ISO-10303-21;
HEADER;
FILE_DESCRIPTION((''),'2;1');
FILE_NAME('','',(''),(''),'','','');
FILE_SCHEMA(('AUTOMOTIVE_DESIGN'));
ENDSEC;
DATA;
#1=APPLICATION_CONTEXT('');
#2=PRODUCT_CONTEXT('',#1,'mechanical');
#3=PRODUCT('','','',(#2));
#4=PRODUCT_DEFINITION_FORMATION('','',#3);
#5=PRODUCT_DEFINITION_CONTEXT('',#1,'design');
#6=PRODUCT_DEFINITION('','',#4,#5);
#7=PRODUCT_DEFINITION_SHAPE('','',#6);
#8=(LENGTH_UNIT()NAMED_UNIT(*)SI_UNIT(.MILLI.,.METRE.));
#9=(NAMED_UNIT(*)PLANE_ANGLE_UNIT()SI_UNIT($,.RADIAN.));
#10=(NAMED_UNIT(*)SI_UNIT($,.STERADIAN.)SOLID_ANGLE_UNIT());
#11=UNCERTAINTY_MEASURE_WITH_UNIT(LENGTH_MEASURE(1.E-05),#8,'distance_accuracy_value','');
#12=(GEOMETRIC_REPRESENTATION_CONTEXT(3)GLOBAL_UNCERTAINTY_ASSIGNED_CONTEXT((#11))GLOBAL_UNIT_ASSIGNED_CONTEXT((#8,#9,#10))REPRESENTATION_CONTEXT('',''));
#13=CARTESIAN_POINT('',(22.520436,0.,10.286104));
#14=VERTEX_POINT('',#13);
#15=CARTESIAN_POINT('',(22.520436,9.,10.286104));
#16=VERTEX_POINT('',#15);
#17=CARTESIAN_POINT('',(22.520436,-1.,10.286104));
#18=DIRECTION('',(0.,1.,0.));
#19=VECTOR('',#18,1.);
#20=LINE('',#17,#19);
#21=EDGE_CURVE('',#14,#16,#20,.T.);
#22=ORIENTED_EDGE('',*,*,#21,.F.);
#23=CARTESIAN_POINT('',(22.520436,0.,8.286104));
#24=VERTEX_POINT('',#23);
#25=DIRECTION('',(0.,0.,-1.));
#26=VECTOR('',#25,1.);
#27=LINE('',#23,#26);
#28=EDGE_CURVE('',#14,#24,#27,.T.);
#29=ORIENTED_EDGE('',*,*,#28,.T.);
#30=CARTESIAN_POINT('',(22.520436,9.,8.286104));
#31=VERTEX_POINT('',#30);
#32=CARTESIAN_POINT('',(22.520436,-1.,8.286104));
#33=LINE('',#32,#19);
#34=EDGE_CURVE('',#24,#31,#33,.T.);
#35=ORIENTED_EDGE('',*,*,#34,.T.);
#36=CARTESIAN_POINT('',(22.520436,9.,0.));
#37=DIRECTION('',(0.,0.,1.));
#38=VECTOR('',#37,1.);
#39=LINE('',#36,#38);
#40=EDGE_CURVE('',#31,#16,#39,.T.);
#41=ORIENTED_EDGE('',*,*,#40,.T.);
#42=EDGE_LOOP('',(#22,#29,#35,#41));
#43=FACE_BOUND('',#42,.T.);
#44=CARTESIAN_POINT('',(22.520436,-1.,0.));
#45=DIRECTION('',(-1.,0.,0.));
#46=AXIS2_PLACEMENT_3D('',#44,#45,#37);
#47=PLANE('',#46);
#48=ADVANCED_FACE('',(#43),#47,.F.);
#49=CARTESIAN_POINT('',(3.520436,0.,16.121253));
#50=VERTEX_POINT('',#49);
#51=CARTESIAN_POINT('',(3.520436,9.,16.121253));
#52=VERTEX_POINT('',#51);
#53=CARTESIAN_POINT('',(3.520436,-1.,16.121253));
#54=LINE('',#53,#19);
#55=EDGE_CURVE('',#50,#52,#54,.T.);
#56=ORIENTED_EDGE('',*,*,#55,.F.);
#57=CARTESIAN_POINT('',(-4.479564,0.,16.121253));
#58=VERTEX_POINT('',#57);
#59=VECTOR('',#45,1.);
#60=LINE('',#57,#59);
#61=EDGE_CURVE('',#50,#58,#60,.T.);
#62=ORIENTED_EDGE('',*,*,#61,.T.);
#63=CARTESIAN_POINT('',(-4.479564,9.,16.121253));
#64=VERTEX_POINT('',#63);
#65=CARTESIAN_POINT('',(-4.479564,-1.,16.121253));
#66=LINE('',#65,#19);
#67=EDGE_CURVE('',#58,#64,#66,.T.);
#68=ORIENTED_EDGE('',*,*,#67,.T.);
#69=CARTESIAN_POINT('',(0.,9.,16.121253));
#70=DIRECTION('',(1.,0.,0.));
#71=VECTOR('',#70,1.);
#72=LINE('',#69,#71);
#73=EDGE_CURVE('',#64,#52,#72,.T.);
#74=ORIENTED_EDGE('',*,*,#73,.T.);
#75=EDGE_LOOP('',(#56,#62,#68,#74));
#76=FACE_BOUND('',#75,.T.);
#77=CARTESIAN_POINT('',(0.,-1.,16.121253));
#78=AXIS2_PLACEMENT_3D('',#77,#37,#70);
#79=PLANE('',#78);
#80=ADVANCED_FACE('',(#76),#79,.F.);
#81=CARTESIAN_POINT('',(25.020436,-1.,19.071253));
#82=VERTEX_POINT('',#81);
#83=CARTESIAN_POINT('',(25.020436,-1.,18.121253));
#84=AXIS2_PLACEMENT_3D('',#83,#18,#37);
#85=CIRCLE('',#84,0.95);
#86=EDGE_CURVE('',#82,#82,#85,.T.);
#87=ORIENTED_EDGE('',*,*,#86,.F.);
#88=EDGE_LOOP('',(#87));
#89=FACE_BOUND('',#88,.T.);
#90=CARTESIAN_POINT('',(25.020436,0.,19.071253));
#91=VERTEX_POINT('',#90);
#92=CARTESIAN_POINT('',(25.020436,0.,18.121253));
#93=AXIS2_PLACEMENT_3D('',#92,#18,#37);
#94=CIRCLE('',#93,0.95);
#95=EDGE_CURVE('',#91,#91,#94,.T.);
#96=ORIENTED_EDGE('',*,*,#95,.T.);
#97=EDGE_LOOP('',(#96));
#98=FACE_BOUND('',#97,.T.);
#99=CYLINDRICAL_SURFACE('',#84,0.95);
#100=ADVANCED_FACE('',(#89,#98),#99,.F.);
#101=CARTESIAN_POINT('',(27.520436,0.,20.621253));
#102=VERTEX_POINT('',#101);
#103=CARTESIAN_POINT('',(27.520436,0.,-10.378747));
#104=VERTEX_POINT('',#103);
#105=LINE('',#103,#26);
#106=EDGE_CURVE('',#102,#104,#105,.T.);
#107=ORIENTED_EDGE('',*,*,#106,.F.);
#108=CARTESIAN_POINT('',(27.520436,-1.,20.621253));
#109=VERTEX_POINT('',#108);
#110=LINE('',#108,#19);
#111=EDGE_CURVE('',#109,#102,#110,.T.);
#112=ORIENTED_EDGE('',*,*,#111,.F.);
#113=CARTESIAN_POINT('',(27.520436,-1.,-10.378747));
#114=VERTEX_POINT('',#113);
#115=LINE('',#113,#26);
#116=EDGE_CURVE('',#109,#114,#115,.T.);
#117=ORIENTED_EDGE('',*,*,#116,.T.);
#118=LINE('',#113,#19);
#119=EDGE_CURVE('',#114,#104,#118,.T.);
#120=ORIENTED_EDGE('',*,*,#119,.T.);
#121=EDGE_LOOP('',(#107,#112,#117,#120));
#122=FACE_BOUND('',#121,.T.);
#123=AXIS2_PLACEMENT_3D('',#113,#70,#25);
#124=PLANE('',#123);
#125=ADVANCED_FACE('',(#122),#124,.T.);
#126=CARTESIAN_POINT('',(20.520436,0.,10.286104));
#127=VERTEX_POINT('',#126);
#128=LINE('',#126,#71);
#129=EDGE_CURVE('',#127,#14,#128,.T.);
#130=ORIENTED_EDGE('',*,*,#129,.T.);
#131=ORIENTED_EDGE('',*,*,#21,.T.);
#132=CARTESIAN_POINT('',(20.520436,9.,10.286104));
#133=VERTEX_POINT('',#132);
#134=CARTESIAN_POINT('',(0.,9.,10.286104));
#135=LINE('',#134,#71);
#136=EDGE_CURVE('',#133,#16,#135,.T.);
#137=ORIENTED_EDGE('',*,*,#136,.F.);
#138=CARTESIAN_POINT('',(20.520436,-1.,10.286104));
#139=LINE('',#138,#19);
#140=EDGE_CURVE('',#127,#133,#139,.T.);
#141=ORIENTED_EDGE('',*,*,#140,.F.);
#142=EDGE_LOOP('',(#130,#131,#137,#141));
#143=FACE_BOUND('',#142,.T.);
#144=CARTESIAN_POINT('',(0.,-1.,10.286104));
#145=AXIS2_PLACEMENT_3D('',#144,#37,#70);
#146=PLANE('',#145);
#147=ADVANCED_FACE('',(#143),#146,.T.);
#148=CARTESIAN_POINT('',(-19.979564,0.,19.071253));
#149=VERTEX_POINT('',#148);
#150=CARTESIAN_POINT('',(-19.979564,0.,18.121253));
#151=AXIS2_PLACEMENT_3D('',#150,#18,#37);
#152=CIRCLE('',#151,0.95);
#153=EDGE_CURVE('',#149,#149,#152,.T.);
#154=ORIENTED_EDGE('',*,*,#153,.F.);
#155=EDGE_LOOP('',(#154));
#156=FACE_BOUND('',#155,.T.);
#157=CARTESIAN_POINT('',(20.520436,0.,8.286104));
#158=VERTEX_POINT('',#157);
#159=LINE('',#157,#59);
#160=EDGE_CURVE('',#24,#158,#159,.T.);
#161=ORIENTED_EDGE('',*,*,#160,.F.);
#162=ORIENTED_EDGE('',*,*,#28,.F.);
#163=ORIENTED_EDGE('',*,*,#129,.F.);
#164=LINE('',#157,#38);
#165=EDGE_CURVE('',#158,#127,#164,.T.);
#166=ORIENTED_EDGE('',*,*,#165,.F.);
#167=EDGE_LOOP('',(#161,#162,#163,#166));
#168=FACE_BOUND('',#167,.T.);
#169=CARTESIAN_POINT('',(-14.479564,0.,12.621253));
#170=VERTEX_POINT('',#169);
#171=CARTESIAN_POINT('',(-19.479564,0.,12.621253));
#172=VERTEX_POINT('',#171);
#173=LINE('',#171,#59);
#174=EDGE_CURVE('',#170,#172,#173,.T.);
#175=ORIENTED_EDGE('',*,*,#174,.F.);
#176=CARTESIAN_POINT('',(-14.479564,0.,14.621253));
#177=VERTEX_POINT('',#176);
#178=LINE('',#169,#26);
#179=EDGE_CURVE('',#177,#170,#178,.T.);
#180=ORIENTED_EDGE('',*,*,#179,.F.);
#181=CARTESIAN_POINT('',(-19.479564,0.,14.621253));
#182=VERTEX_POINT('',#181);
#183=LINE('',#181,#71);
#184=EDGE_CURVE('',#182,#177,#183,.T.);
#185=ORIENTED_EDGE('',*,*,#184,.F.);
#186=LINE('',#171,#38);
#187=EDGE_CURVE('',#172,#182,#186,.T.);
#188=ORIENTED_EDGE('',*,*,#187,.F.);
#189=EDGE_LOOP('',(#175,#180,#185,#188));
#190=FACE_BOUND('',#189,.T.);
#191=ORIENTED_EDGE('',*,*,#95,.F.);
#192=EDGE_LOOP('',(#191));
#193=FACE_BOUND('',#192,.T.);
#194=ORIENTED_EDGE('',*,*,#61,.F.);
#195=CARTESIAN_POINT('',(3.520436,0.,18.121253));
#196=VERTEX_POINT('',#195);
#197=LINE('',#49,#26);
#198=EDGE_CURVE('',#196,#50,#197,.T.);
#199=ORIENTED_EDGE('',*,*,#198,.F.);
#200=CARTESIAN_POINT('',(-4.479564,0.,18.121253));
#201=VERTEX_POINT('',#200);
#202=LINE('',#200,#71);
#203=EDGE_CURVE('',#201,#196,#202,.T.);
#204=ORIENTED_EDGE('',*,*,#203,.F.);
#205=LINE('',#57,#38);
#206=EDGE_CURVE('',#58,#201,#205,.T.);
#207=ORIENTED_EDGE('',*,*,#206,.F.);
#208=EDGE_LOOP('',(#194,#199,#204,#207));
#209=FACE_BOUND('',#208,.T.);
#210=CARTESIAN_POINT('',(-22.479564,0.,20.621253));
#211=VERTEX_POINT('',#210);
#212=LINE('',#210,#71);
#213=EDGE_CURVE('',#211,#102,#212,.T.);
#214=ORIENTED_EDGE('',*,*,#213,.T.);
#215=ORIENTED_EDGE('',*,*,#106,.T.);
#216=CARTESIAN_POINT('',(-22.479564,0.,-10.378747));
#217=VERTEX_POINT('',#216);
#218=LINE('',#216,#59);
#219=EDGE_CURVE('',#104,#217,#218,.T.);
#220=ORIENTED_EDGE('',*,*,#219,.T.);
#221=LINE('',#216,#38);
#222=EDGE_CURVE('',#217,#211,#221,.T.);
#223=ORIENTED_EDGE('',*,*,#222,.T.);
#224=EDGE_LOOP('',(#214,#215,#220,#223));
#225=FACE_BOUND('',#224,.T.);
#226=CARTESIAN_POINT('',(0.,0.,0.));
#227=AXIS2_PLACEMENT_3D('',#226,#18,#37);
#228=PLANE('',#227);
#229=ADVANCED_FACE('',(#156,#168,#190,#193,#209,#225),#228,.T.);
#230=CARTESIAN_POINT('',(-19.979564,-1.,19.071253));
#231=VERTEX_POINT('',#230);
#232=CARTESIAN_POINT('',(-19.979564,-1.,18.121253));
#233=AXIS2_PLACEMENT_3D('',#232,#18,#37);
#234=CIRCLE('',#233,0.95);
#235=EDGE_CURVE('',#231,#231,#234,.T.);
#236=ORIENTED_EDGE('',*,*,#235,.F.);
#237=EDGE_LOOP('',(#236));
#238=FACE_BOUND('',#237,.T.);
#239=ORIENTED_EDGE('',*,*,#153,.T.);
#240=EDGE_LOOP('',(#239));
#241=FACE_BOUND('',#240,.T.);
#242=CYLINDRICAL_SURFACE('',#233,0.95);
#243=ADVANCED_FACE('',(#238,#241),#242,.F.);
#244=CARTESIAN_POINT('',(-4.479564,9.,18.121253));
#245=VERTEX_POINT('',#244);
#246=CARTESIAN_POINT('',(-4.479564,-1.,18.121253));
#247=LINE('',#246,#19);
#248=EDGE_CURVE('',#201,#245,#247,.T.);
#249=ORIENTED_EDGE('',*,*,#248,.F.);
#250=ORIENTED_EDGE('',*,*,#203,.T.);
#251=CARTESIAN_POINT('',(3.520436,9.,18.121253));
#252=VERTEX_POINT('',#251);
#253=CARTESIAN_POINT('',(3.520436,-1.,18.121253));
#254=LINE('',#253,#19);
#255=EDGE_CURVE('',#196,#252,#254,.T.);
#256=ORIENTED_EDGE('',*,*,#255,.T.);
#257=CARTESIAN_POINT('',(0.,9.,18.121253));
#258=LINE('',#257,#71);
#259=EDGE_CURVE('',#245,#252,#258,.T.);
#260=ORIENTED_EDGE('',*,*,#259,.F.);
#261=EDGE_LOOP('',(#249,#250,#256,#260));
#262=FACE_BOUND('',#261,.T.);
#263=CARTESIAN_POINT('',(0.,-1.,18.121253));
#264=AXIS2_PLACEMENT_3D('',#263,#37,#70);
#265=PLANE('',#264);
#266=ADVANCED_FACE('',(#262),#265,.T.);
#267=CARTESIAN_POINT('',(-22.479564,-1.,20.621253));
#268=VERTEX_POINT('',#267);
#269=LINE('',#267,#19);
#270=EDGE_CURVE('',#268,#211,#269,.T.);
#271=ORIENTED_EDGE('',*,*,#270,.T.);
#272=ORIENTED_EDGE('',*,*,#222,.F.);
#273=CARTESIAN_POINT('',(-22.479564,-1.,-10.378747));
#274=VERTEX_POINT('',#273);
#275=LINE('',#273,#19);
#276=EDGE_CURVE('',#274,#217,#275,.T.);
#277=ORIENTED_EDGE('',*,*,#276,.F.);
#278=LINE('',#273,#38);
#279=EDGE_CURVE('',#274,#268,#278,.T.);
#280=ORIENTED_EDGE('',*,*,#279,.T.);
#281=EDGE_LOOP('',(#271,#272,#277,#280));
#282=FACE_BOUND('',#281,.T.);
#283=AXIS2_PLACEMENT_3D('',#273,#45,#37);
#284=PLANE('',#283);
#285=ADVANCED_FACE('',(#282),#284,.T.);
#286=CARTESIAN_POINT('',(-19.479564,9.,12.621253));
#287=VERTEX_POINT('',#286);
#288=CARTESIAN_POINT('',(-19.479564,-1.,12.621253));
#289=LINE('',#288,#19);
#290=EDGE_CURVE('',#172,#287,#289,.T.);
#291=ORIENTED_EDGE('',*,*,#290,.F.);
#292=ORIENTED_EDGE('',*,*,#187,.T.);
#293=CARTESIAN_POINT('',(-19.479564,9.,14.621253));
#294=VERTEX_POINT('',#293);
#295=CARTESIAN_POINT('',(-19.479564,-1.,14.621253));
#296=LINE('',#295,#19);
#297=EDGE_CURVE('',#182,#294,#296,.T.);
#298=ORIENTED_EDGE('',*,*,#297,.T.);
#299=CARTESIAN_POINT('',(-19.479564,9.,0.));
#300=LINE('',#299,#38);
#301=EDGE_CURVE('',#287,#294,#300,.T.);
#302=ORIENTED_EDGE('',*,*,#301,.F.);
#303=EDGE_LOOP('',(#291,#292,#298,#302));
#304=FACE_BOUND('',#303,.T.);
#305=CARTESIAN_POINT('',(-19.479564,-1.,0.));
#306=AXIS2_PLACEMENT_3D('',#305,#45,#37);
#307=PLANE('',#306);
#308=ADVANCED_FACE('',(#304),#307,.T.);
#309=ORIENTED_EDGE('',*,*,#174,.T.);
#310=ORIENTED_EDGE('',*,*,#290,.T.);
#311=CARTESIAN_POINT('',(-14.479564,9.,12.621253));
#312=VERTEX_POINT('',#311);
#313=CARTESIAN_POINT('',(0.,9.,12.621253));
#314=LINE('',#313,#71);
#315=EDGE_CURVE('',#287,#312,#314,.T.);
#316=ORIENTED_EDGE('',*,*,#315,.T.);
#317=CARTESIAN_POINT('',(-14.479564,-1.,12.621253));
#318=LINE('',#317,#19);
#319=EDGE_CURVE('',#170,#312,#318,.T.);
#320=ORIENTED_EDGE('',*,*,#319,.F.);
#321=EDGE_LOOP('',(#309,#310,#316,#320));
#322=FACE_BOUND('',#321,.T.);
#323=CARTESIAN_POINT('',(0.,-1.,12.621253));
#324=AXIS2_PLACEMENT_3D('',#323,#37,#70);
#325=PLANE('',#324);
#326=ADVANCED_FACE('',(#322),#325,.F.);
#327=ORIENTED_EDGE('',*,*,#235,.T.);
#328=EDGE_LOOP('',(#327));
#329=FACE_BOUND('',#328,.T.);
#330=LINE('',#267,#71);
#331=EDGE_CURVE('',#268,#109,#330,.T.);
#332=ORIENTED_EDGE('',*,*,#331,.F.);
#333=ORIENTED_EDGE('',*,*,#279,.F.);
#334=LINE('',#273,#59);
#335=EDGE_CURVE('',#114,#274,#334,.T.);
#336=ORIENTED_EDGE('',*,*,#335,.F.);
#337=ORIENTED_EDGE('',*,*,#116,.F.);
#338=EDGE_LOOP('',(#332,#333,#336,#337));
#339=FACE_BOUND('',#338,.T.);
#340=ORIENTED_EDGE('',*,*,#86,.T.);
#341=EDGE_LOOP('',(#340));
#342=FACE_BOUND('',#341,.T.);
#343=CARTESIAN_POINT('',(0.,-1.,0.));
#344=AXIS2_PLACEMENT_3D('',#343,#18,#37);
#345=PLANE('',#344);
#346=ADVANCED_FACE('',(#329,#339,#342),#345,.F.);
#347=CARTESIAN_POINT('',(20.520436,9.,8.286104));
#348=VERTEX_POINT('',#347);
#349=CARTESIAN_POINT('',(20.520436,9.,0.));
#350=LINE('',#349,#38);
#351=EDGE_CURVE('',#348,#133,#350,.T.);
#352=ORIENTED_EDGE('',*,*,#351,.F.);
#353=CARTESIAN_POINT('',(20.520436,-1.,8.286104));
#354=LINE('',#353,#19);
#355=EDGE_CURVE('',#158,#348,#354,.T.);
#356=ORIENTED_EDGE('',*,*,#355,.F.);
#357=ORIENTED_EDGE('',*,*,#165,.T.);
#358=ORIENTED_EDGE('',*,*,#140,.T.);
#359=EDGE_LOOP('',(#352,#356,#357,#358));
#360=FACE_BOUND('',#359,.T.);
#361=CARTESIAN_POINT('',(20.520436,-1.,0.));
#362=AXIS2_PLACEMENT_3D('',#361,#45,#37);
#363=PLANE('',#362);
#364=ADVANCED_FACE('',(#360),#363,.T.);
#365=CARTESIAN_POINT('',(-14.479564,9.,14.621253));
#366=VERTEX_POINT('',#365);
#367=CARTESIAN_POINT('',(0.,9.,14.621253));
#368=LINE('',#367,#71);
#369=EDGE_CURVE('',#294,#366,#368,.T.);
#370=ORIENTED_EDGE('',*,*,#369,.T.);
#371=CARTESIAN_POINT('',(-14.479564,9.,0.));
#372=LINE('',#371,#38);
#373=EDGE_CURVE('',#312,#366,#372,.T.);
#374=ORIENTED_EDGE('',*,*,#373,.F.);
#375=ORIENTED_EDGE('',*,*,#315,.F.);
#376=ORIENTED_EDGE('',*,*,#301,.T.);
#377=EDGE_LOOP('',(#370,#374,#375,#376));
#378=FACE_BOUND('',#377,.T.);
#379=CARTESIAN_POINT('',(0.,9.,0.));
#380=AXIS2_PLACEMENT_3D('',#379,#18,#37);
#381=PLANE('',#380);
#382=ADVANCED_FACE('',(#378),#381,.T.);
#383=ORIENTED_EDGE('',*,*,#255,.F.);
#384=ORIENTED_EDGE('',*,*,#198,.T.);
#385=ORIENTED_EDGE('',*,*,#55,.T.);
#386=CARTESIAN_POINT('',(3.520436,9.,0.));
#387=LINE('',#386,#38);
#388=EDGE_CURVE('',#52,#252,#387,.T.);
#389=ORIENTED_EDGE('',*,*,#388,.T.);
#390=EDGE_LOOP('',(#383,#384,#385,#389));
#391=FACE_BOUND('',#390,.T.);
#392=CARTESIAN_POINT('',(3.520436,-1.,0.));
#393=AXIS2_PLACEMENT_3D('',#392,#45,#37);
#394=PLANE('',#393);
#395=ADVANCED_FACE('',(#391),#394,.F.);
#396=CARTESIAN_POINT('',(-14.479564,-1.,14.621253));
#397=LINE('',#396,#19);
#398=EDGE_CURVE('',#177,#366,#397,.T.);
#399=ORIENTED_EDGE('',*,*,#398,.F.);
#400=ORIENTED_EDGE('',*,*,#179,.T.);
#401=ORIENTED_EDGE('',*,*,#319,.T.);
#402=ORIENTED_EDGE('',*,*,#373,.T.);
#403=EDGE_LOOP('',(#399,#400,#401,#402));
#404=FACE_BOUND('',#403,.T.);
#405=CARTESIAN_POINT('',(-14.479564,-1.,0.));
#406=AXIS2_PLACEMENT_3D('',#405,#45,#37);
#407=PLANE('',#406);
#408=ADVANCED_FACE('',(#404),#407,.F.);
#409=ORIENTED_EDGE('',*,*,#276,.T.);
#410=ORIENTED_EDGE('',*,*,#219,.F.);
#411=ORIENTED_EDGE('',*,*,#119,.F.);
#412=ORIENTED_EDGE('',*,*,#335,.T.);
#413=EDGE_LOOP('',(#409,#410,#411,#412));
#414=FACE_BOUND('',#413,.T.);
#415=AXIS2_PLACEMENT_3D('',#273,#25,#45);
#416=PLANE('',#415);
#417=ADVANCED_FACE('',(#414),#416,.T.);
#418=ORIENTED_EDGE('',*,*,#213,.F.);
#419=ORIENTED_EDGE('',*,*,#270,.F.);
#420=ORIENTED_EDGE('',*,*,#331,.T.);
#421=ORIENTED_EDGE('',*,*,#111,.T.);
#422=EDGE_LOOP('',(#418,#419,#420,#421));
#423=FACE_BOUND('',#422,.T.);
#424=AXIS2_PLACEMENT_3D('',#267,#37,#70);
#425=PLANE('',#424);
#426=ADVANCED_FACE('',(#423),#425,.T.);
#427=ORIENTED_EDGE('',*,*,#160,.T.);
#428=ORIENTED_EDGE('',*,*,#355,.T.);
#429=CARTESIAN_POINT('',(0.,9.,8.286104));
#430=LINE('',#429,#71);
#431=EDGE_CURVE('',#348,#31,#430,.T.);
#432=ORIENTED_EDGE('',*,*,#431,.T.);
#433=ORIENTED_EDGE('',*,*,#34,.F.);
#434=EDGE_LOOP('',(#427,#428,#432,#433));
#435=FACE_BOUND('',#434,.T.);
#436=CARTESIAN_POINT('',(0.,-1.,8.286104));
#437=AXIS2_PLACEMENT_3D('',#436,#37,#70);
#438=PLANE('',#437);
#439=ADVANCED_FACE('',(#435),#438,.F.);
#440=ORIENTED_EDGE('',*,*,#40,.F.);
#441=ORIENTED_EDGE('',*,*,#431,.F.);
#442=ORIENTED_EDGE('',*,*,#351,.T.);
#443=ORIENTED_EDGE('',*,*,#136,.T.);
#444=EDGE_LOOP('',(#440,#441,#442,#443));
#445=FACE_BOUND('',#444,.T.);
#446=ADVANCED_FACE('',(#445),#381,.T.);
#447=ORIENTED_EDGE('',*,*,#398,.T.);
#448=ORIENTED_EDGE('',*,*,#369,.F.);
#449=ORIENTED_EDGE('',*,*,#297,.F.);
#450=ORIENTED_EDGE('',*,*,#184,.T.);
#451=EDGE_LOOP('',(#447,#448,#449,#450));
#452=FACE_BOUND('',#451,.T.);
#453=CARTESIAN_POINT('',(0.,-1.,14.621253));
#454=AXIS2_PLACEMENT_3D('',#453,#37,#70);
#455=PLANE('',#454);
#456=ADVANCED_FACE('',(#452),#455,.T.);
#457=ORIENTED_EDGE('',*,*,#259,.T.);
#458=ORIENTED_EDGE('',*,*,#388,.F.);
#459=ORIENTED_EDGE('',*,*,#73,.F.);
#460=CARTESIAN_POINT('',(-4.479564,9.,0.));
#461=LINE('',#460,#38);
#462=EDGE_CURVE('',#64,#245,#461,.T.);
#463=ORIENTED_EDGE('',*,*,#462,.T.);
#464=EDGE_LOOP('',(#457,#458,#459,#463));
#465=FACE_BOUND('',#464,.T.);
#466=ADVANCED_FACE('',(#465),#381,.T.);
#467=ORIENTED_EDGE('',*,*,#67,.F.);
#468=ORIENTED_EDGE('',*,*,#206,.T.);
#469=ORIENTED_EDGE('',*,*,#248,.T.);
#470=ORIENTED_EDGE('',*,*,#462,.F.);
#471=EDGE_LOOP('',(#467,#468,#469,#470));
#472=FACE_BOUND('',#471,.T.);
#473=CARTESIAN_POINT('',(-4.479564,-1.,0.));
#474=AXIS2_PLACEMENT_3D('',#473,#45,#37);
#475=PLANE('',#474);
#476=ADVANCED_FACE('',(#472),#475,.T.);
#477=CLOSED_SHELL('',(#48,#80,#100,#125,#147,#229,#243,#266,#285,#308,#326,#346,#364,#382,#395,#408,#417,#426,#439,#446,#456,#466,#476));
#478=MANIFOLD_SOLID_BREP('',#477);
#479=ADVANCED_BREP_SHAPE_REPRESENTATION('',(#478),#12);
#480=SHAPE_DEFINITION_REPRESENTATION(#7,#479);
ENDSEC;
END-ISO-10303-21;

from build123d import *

# Parameters (mm, degrees)
BOSS_EXTRU_7_DEPTH      = 9
BOSS_EXTRU_7_DEPTH_BACK = 1
ESQUISSE1_W             = 8
ESQUISSE1_H             = 2
BOSS_EXTRU_8_DEPTH      = 9
BOSS_EXTRU_8_DEPTH_BACK = 1
ESQUISSE1_10_W          = 5
ESQUISSE1_10_H          = 2
BOSS_EXTRU_9_DEPTH      = 9
BOSS_EXTRU_9_DEPTH_BACK = 1
ESQUISSE1_11_W          = 2
ESQUISSE1_11_H          = 2
ESQUISSE1_12_W          = 50
ESQUISSE1_12_H          = 31
ESQUISSE1_12_R          = 0.95
ESQUISSE1_12_W_2        = 5
ESQUISSE1_12_H_2        = 2
ESQUISSE1_12_W_3        = 8
ESQUISSE1_12_W_4        = 2
BOSS_EXTRU_10_DEPTH     = 1


with BuildPart() as part:
    # Esquisse1 → Boss.-Extru.7 (new, two sides: drawn at the far end of the back side and taken through both)
    with BuildSketch(Plane(origin=(0, 0, 0), x_dir=(1, 0, 0), z_dir=(0, 1, 0)).offset(-BOSS_EXTRU_7_DEPTH_BACK)):
        with Locations((-0.479564033, -17.121253406)):
            Rectangle(ESQUISSE1_W, ESQUISSE1_H)
    extrude(amount=BOSS_EXTRU_7_DEPTH + BOSS_EXTRU_7_DEPTH_BACK)



with BuildPart() as body_2:
    # Esquisse1<10> → Boss.-Extru.8 (new, two sides: drawn at the far end of the back side and taken through both)
    with BuildSketch(Plane(origin=(0, 0, 0), x_dir=(1, 0, 0), z_dir=(0, 1, 0)).offset(-BOSS_EXTRU_8_DEPTH_BACK)):
        with Locations((-16.979564033, -13.621253406)):
            Rectangle(ESQUISSE1_10_W, ESQUISSE1_10_H)
    extrude(amount=BOSS_EXTRU_8_DEPTH + BOSS_EXTRU_8_DEPTH_BACK)


with BuildPart() as body_3:
    # Esquisse1<11> → Boss.-Extru.9 (new, two sides: drawn at the far end of the back side and taken through both)
    with BuildSketch(Plane(origin=(0, 0, 0), x_dir=(1, 0, 0), z_dir=(0, 1, 0)).offset(-BOSS_EXTRU_9_DEPTH_BACK)):
        with Locations((21.520435967, -9.286103542)):
            Rectangle(ESQUISSE1_11_W, ESQUISSE1_11_H)
    extrude(amount=BOSS_EXTRU_9_DEPTH + BOSS_EXTRU_9_DEPTH_BACK)


with BuildPart() as part_1:
    add(part.part)

    add(body_2.part)  # Boss.-Extru.10 merges body 2

    add(body_3.part)  # Boss.-Extru.10 merges body 3
    # Esquisse1<12> → Boss.-Extru.10 (add)
    with BuildSketch(Plane(origin=(0, 0, 0), x_dir=(1, 0, 0), z_dir=(0, 1, 0))):
        with Locations((2.520435967, -5.121253406)):
            Rectangle(ESQUISSE1_12_W, ESQUISSE1_12_H)
        with Locations((-19.979564033, -18.121253406)):
            Circle(ESQUISSE1_12_R, mode=Mode.SUBTRACT)
        with Locations((25.020435967, -18.121253406)):
            Circle(ESQUISSE1_12_R, mode=Mode.SUBTRACT)
        with Locations((-16.979564033, -13.621253406)):
            Rectangle(ESQUISSE1_12_W_2, ESQUISSE1_12_H_2, mode=Mode.SUBTRACT)
        with Locations((-0.479564033, -17.121253406)):
            Rectangle(ESQUISSE1_12_W_3, ESQUISSE1_12_H_2, mode=Mode.SUBTRACT)
        with Locations((21.520435967, -9.286103542)):
            Rectangle(ESQUISSE1_12_W_4, ESQUISSE1_12_H_2, mode=Mode.SUBTRACT)
    extrude(amount=-BOSS_EXTRU_10_DEPTH)


solid = part_1.part
